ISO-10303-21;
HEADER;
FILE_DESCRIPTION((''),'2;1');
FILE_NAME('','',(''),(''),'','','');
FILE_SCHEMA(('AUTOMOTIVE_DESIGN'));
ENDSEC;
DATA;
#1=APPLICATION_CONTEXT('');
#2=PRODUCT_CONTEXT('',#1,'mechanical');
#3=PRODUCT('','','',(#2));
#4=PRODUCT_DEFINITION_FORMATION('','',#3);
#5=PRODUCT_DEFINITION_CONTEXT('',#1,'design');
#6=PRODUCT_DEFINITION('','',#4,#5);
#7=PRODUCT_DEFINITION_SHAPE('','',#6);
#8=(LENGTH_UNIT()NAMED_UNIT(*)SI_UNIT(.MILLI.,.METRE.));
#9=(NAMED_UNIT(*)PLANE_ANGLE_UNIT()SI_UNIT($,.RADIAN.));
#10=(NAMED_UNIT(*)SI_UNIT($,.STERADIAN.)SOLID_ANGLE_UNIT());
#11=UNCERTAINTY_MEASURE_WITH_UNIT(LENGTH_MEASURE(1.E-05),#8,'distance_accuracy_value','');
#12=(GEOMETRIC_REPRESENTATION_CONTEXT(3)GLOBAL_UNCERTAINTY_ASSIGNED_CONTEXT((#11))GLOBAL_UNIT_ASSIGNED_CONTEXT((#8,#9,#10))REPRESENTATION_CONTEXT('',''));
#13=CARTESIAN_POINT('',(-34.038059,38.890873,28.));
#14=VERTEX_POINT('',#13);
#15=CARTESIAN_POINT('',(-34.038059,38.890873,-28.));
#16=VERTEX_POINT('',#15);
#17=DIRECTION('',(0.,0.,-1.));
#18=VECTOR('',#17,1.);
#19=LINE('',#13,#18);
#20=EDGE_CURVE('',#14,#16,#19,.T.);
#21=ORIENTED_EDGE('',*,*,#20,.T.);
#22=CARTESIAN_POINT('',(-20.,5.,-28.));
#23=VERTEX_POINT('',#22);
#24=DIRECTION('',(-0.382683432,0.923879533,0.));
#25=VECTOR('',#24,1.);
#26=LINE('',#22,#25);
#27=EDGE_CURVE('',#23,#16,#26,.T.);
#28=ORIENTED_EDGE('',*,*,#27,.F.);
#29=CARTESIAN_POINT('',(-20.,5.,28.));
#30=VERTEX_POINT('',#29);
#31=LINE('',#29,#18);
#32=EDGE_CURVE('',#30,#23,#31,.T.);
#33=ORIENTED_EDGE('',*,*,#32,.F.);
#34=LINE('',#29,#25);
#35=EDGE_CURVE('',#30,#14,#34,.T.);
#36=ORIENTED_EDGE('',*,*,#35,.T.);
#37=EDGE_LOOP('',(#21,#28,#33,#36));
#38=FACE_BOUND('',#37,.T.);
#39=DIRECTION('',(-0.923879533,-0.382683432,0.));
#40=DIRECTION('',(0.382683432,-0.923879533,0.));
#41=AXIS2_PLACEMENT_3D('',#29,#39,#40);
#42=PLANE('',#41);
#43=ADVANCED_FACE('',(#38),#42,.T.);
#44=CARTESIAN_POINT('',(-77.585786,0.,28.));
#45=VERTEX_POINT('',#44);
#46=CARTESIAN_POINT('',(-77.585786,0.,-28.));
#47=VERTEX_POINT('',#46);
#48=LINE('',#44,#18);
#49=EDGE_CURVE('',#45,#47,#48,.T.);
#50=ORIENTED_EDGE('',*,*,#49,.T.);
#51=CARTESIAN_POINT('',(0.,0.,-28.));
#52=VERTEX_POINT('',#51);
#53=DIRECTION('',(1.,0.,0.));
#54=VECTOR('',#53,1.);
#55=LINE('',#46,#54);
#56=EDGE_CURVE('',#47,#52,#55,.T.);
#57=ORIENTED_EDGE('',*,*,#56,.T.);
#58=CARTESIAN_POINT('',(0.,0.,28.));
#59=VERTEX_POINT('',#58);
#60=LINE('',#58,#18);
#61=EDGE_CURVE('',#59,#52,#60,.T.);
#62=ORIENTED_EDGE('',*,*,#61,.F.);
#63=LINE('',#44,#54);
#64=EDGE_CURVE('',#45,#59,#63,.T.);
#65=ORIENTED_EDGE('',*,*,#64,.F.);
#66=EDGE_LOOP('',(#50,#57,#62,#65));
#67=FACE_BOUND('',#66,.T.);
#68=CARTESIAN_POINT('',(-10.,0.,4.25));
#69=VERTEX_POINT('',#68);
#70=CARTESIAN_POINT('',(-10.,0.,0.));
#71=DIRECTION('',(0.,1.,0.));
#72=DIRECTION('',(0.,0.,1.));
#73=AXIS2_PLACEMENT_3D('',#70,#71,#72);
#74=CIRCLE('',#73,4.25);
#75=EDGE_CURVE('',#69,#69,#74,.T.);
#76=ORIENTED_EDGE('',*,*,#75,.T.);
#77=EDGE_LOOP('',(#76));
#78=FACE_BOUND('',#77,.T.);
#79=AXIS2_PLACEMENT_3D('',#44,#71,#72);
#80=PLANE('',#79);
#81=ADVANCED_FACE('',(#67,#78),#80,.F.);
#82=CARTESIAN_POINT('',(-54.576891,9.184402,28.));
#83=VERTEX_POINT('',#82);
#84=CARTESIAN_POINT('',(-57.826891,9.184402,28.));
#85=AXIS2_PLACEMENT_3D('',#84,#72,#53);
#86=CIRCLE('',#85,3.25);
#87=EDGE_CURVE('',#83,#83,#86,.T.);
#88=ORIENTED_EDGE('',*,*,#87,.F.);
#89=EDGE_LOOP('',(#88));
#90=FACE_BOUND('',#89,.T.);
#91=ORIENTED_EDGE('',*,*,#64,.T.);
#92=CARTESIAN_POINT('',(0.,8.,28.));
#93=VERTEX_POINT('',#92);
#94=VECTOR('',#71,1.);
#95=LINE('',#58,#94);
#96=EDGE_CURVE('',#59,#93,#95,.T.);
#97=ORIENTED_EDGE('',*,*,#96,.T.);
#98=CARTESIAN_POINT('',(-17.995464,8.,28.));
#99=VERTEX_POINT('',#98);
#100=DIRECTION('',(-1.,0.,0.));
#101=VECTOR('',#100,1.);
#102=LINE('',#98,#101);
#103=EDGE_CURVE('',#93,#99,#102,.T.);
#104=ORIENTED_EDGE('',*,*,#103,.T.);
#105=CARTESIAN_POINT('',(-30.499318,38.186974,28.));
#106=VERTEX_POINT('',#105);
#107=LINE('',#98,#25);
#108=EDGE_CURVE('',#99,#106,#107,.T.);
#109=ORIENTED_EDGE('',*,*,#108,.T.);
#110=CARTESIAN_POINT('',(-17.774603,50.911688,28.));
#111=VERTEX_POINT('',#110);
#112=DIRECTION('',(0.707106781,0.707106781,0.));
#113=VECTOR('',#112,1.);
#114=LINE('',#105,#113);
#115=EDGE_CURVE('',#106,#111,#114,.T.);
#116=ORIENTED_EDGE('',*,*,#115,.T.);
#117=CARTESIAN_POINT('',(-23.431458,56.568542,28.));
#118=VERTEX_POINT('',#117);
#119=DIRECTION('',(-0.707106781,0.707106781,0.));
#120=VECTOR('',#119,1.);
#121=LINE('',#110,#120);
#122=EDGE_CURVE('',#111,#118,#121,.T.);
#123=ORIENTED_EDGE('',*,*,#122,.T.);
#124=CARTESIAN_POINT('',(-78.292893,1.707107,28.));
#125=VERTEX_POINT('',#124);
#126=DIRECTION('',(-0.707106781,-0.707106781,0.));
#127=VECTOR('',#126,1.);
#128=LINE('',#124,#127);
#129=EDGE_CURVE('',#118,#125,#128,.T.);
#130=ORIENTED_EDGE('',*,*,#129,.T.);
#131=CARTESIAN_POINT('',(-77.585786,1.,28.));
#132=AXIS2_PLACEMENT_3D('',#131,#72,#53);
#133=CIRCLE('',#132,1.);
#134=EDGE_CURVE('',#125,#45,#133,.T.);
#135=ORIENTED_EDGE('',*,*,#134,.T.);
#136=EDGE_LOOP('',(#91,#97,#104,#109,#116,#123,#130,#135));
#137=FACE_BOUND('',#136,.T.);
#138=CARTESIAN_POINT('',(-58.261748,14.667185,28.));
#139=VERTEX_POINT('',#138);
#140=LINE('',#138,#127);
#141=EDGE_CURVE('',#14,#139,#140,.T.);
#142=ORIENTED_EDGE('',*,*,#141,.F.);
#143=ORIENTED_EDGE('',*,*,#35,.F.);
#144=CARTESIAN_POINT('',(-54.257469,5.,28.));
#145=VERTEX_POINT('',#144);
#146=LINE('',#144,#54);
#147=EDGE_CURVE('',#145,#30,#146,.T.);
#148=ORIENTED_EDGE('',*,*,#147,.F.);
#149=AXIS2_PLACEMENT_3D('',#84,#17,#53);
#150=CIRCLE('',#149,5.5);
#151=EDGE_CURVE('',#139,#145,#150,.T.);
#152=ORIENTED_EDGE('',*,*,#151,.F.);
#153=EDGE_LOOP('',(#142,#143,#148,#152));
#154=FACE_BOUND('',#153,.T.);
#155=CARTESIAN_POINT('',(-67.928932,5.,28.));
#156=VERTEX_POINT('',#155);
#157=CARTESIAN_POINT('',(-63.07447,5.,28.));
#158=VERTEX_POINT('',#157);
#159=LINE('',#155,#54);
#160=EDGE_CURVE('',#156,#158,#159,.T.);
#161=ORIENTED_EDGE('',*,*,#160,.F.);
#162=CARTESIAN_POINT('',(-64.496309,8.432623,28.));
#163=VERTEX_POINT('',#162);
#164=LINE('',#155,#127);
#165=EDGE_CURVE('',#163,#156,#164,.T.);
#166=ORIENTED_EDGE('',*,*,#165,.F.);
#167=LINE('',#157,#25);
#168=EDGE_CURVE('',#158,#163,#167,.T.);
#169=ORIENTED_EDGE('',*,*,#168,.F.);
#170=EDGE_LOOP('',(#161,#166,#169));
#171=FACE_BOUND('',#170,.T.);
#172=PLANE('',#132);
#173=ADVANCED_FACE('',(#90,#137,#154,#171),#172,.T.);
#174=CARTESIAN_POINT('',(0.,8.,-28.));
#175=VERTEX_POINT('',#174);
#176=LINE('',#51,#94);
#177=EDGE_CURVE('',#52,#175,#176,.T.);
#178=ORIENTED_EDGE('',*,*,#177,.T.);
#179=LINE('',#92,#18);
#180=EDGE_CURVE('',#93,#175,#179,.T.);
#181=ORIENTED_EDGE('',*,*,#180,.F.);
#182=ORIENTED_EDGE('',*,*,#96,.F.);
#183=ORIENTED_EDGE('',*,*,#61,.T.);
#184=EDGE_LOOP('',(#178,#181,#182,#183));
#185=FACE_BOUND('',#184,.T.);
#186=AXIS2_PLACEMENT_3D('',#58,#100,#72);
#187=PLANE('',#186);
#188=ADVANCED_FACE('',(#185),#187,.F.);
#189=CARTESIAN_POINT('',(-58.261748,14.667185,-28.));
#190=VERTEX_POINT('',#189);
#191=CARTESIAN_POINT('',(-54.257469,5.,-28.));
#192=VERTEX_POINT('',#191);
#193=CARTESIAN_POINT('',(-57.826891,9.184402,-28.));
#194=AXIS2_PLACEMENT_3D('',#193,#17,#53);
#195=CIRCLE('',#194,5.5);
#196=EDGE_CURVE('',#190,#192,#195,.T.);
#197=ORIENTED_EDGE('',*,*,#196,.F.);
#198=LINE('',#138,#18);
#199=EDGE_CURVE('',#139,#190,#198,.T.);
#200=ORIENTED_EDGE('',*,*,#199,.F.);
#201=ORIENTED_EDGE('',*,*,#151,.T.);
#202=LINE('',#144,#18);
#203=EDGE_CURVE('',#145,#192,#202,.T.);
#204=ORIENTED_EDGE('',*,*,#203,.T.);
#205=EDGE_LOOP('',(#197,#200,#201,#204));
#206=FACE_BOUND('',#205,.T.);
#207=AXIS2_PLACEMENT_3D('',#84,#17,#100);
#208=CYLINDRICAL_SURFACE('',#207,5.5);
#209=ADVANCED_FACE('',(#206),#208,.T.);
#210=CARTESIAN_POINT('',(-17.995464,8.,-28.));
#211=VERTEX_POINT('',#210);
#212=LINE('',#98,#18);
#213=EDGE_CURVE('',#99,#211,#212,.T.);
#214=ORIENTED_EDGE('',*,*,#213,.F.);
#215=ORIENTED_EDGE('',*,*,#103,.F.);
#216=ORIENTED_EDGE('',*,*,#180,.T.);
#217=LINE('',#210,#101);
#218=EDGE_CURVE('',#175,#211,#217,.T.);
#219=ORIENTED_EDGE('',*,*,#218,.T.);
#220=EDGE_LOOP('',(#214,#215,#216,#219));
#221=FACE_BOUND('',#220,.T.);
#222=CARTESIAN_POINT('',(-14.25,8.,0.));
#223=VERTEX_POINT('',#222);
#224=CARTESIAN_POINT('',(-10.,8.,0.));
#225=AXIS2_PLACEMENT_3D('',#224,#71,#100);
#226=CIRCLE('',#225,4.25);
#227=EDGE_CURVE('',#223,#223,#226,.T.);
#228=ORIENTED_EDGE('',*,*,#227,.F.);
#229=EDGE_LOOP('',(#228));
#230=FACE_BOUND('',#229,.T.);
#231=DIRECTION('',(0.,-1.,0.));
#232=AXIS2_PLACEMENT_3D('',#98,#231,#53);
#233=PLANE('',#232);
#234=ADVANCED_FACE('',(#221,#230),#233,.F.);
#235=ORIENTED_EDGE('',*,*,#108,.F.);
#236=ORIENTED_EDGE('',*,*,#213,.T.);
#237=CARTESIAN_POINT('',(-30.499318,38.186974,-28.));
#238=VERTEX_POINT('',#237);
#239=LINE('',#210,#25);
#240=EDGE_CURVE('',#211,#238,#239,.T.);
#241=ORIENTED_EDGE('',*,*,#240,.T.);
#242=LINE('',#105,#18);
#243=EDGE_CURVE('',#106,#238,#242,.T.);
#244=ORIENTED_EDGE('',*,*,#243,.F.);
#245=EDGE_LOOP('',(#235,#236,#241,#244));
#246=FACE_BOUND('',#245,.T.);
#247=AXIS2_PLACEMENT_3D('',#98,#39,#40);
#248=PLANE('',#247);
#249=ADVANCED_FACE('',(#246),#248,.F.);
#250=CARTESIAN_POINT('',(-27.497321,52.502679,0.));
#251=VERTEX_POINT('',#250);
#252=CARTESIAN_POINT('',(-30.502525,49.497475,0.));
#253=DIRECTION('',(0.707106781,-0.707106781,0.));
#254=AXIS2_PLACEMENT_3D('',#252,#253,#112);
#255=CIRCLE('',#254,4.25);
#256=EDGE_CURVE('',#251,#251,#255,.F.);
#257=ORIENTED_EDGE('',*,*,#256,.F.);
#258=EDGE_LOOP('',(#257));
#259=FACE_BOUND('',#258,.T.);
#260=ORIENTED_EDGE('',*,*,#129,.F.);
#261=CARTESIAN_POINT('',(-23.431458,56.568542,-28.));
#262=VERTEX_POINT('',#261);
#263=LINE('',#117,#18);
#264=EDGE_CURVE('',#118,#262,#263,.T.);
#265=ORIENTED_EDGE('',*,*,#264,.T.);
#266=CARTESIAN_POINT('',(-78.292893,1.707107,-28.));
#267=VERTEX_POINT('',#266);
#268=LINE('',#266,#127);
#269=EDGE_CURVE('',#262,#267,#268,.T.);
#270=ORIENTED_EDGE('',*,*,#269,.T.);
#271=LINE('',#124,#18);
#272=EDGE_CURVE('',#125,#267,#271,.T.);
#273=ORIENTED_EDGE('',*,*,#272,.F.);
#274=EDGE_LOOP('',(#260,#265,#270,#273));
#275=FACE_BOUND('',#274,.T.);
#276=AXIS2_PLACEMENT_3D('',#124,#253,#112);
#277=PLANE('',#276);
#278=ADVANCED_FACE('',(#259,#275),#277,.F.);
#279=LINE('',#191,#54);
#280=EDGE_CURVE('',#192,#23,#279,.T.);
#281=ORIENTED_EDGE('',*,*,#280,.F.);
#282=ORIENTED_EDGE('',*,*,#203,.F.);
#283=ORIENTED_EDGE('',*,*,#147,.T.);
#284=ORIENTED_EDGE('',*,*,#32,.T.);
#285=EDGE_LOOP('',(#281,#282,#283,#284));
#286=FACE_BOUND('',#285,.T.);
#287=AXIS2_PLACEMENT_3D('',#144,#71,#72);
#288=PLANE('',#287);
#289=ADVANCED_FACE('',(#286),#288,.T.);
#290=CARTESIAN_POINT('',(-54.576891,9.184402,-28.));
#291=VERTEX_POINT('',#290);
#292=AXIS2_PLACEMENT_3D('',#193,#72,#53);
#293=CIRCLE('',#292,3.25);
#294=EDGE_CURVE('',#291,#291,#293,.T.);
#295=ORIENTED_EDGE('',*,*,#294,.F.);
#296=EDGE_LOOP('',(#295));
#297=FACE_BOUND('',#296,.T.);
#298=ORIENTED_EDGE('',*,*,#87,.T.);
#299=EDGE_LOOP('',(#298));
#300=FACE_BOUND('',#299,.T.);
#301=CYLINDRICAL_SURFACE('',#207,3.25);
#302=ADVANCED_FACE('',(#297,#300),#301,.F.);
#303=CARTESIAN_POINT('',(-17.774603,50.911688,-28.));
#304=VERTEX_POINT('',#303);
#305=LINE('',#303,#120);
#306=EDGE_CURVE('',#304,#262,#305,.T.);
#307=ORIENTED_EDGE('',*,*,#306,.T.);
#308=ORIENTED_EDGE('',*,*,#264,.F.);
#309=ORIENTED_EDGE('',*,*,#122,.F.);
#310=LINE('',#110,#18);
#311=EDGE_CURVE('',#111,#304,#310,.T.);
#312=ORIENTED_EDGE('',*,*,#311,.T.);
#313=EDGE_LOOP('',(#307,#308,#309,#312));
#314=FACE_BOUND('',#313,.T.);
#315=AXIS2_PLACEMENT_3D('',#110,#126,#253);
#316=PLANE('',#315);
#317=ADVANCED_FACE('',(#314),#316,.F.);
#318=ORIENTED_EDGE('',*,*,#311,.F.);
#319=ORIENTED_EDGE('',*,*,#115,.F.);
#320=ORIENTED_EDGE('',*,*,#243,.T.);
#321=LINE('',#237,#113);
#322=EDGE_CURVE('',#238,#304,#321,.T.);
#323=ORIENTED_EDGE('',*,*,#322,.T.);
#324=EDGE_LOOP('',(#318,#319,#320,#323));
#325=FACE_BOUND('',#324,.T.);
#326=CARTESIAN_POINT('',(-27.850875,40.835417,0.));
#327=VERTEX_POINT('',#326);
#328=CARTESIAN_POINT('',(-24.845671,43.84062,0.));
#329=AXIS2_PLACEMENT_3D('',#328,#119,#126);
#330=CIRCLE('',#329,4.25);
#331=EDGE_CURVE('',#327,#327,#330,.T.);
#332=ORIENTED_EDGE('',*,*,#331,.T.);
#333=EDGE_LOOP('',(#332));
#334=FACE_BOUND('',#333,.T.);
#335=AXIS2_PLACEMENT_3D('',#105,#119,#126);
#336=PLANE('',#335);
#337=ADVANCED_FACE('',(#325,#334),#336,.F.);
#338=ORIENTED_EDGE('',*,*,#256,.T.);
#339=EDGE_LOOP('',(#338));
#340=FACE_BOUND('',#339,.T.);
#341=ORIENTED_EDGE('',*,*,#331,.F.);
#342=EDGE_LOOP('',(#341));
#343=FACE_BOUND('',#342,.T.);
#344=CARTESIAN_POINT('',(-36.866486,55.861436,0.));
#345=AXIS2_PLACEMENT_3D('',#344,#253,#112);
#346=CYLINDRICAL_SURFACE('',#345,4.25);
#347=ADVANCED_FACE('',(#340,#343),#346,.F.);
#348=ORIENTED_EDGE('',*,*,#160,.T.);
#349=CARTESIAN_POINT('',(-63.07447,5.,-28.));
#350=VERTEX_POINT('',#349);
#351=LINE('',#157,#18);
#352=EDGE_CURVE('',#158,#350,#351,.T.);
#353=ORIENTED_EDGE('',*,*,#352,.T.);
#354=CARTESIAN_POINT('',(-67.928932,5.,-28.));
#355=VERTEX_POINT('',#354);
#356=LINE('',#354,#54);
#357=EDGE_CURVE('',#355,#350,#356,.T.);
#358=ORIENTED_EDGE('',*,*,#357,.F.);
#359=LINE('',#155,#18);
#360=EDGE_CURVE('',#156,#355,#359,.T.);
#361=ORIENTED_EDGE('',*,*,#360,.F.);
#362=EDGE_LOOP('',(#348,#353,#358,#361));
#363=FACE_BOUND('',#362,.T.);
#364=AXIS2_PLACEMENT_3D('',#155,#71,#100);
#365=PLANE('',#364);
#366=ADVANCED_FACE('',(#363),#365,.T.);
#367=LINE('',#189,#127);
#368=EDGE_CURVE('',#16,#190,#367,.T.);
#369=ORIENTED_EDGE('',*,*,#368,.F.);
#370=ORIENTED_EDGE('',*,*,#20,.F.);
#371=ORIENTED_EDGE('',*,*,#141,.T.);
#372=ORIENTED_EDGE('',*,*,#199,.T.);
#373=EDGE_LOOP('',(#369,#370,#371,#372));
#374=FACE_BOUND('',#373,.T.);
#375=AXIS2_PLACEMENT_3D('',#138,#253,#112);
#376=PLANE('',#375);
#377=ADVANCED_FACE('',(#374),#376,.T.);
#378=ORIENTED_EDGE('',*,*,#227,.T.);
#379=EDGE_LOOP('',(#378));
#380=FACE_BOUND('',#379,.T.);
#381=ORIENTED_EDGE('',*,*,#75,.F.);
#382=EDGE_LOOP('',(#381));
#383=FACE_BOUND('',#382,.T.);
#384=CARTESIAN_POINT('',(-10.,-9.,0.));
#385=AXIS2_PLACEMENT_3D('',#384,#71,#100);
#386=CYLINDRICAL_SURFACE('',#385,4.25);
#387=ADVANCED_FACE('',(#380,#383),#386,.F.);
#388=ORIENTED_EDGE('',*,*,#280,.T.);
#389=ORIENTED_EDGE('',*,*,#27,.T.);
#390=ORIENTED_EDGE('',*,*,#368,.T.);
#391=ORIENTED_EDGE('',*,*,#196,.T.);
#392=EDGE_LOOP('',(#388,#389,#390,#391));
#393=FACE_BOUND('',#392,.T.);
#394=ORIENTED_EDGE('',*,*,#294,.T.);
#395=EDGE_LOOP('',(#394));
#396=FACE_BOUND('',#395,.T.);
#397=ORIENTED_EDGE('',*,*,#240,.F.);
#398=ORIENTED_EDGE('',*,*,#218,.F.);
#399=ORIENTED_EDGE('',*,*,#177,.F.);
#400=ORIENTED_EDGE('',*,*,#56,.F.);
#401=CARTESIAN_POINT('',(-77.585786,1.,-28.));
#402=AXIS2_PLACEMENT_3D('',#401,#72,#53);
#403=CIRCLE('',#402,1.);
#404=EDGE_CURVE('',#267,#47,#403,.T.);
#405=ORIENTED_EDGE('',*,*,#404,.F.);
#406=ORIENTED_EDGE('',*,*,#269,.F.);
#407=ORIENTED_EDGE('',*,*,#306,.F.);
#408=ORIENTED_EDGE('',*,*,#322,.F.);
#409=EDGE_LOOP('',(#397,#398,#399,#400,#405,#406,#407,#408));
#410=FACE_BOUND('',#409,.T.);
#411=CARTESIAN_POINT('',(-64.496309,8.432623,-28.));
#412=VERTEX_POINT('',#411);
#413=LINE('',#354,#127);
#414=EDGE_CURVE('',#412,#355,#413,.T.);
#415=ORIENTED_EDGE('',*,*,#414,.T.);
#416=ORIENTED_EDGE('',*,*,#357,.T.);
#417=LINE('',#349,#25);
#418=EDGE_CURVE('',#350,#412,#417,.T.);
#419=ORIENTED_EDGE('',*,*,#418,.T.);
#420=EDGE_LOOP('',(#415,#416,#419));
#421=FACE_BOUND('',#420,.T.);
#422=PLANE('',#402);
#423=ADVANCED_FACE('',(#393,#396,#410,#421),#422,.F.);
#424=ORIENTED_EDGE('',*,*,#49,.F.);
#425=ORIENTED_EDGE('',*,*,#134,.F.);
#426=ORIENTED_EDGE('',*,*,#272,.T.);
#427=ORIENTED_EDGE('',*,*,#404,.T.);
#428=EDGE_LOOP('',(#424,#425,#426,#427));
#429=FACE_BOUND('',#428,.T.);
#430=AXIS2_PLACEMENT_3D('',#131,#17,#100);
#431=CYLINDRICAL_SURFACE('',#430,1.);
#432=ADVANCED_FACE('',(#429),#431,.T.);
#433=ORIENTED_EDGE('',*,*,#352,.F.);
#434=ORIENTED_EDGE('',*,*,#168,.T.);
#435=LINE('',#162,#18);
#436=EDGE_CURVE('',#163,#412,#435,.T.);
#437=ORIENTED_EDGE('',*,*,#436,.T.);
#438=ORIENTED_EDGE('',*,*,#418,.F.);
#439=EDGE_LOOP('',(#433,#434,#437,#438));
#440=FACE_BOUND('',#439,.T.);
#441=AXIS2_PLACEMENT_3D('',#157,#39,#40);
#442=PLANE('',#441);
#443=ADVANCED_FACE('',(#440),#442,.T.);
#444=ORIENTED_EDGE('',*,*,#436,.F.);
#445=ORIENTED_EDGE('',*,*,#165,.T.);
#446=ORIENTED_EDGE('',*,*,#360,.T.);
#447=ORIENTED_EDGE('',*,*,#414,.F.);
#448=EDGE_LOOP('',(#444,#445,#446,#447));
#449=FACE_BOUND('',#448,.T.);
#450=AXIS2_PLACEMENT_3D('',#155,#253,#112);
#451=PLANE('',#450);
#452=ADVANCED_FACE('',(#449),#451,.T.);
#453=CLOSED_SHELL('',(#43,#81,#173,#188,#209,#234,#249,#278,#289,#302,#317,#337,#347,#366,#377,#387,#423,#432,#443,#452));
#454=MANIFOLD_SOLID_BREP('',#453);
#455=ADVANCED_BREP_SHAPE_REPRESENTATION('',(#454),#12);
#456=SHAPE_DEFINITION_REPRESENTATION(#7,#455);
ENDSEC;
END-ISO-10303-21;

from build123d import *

# Parameters (mm, degrees)
SKETCH_1_R          = 3.25
EXTRUDE_1_DEPTH     = 28
SKETCH_3_R          = 4.25
CUT_EXTRUDE_1_DEPTH = 17


with BuildPart() as part:
    # 草图1 → 凸台-拉伸1 (new, symmetric)
    with BuildSketch(Plane.XY):
        with BuildLine():
            Line((-77.585786438, 0), (0, 0))
            Line((0, 0), (0, 8))
            Line((0, 8), (-17.995464086, 8))
            Line((-17.995464086, 8), (-30.499317942, 38.186973559))
            Line((-30.499317942, 38.186973559), (-17.774603256, 50.911688245))
            Line((-17.774603256, 50.911688245), (-23.431457505, 56.568542495))
            Line((-23.431457505, 56.568542495), (-78.292893219, 1.707106781))
            ThreePointArc((-78.292893219, 1.707106781), (-78.50966597, 0.617316568), (-77.585786438, 0))
        make_face()
        with Locations((-57.82689122, 9.184402377)):
            Circle(SKETCH_1_R, mode=Mode.SUBTRACT)
        Polygon((-67.928932188, 5), (-63.07447047, 5), (-64.496309389, 8.4326228), align=None, mode=Mode.SUBTRACT)
        with BuildLine():
            Line((-54.257468753, 5), (-20, 5))
            Line((-20, 5), (-34.038059223, 38.890872965))
            Line((-34.038059223, 38.890872965), (-58.261747684, 14.667184504))
            ThreePointArc((-58.261747684, 14.667184504), (-52.745553791, 11.289161255), (-54.257468753, 5))
        make_face(mode=Mode.SUBTRACT)
    extrude(amount=EXTRUDE_1_DEPTH, both=True)

    # 草图3 → 切除-拉伸1 (cut)
    with BuildSketch(Plane(origin=(0, 8, 0), x_dir=(1, 0, 0), z_dir=(0, 1, 0))):
        with Locations(Location((-10, 0, 0), (0, 0, 180))):
            Circle(SKETCH_3_R)
    cut_extrude_1 = extrude(amount=-CUT_EXTRUDE_1_DEPTH, mode=Mode.SUBTRACT)

    # 镜向1: 切除-拉伸1 across plane
    add(cut_extrude_1.mirror(Plane(origin=(-11.715728753, 28.284271247, 0), x_dir=(0, 0, 1), z_dir=(-0.3826834323650881, 0.9238795325112875, 0))), mode=Mode.SUBTRACT)


solid = part.part
